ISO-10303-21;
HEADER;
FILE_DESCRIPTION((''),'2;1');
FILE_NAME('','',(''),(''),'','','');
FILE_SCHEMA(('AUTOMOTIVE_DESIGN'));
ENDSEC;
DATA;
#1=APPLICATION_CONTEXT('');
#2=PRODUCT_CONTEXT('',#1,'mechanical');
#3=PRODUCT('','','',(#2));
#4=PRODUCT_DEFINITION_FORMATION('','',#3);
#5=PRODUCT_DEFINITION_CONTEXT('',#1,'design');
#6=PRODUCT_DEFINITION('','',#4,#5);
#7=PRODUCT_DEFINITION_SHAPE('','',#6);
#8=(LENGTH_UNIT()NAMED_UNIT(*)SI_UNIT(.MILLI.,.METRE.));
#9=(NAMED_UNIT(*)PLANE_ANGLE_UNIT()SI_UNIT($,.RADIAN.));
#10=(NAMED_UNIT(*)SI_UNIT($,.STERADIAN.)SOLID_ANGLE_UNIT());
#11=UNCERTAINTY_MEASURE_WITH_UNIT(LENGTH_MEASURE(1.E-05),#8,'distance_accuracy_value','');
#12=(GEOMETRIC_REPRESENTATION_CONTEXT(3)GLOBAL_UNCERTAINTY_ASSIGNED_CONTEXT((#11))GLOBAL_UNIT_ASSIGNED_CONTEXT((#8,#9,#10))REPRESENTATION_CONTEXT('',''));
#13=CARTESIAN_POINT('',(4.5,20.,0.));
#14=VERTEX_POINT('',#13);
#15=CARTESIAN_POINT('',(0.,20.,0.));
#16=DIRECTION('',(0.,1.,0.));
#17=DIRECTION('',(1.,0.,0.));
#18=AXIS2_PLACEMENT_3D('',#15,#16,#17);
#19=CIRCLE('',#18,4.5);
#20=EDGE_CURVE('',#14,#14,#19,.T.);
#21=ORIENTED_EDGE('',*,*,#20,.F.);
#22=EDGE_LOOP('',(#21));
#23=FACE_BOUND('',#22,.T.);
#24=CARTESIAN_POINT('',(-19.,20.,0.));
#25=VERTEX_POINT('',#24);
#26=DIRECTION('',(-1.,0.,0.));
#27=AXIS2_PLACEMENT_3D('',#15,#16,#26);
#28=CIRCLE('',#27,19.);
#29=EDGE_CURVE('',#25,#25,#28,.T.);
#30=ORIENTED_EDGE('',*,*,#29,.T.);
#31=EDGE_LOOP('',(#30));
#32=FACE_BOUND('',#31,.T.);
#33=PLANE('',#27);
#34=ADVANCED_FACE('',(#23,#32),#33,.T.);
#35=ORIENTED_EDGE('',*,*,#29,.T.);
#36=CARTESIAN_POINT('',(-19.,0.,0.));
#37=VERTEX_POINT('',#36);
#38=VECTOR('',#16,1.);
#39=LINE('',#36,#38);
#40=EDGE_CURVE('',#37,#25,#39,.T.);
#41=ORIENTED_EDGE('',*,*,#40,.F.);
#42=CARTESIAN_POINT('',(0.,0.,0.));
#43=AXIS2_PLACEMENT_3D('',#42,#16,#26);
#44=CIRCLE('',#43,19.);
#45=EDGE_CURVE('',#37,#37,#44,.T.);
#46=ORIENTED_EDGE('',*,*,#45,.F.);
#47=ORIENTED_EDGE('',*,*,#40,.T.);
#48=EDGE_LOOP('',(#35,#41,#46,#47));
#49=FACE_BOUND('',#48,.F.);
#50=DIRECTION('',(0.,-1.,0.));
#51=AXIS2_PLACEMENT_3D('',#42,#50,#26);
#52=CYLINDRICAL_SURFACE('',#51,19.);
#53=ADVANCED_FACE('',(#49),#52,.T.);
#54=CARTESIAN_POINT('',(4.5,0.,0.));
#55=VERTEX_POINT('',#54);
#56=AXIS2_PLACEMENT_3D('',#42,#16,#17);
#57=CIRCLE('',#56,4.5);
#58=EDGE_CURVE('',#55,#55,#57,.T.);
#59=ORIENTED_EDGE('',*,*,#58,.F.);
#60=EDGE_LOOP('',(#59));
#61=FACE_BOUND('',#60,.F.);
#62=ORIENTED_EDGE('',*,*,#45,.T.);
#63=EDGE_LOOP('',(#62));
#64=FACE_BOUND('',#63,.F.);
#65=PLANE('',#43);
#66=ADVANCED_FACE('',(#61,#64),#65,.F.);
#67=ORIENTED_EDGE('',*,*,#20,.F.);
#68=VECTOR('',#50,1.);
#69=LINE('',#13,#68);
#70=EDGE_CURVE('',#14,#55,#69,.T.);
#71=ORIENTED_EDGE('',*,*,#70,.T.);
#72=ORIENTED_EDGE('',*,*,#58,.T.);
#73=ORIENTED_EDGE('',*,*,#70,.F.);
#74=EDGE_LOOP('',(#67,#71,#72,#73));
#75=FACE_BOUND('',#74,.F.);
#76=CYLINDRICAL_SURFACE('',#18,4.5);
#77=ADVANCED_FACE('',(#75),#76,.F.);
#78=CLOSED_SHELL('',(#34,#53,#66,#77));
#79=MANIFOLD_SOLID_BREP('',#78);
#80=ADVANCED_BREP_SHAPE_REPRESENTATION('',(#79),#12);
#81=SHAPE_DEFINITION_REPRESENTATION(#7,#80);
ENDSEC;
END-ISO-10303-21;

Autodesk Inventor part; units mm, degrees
ref_plane "YZ Plane" through (0, 0, 0) normal (1, 0, 0) x (0, 1, 0)
ref_plane "XZ Plane" through (0, 0, 0) normal (0, 1, 0) x (-1, 0, 0)
ref_plane "XY Plane" through (0, 0, 0) normal (0, 0, 1) x (1, 0, 0)
sketch "Sketch1" plane through (0, 0, 0) normal (0, 1, 0) x (-1, 0, 0)
  circle A0 centre (0, 0) radius 19
  dimension "d0" = 38
extrude "Extrusion1" add sketch "Sketch1" along normal blind 20
sketch "Sketch2" plane through (0, 20, 0) normal (0, 1, 0) x (1, 0, 0)
  circle A0 centre (0, 0) radius 4.5
  dimension "d3" = 9
extrude "Extrusion2" cut sketch "Sketch2" against normal through all
properties part number "DriveGear"
